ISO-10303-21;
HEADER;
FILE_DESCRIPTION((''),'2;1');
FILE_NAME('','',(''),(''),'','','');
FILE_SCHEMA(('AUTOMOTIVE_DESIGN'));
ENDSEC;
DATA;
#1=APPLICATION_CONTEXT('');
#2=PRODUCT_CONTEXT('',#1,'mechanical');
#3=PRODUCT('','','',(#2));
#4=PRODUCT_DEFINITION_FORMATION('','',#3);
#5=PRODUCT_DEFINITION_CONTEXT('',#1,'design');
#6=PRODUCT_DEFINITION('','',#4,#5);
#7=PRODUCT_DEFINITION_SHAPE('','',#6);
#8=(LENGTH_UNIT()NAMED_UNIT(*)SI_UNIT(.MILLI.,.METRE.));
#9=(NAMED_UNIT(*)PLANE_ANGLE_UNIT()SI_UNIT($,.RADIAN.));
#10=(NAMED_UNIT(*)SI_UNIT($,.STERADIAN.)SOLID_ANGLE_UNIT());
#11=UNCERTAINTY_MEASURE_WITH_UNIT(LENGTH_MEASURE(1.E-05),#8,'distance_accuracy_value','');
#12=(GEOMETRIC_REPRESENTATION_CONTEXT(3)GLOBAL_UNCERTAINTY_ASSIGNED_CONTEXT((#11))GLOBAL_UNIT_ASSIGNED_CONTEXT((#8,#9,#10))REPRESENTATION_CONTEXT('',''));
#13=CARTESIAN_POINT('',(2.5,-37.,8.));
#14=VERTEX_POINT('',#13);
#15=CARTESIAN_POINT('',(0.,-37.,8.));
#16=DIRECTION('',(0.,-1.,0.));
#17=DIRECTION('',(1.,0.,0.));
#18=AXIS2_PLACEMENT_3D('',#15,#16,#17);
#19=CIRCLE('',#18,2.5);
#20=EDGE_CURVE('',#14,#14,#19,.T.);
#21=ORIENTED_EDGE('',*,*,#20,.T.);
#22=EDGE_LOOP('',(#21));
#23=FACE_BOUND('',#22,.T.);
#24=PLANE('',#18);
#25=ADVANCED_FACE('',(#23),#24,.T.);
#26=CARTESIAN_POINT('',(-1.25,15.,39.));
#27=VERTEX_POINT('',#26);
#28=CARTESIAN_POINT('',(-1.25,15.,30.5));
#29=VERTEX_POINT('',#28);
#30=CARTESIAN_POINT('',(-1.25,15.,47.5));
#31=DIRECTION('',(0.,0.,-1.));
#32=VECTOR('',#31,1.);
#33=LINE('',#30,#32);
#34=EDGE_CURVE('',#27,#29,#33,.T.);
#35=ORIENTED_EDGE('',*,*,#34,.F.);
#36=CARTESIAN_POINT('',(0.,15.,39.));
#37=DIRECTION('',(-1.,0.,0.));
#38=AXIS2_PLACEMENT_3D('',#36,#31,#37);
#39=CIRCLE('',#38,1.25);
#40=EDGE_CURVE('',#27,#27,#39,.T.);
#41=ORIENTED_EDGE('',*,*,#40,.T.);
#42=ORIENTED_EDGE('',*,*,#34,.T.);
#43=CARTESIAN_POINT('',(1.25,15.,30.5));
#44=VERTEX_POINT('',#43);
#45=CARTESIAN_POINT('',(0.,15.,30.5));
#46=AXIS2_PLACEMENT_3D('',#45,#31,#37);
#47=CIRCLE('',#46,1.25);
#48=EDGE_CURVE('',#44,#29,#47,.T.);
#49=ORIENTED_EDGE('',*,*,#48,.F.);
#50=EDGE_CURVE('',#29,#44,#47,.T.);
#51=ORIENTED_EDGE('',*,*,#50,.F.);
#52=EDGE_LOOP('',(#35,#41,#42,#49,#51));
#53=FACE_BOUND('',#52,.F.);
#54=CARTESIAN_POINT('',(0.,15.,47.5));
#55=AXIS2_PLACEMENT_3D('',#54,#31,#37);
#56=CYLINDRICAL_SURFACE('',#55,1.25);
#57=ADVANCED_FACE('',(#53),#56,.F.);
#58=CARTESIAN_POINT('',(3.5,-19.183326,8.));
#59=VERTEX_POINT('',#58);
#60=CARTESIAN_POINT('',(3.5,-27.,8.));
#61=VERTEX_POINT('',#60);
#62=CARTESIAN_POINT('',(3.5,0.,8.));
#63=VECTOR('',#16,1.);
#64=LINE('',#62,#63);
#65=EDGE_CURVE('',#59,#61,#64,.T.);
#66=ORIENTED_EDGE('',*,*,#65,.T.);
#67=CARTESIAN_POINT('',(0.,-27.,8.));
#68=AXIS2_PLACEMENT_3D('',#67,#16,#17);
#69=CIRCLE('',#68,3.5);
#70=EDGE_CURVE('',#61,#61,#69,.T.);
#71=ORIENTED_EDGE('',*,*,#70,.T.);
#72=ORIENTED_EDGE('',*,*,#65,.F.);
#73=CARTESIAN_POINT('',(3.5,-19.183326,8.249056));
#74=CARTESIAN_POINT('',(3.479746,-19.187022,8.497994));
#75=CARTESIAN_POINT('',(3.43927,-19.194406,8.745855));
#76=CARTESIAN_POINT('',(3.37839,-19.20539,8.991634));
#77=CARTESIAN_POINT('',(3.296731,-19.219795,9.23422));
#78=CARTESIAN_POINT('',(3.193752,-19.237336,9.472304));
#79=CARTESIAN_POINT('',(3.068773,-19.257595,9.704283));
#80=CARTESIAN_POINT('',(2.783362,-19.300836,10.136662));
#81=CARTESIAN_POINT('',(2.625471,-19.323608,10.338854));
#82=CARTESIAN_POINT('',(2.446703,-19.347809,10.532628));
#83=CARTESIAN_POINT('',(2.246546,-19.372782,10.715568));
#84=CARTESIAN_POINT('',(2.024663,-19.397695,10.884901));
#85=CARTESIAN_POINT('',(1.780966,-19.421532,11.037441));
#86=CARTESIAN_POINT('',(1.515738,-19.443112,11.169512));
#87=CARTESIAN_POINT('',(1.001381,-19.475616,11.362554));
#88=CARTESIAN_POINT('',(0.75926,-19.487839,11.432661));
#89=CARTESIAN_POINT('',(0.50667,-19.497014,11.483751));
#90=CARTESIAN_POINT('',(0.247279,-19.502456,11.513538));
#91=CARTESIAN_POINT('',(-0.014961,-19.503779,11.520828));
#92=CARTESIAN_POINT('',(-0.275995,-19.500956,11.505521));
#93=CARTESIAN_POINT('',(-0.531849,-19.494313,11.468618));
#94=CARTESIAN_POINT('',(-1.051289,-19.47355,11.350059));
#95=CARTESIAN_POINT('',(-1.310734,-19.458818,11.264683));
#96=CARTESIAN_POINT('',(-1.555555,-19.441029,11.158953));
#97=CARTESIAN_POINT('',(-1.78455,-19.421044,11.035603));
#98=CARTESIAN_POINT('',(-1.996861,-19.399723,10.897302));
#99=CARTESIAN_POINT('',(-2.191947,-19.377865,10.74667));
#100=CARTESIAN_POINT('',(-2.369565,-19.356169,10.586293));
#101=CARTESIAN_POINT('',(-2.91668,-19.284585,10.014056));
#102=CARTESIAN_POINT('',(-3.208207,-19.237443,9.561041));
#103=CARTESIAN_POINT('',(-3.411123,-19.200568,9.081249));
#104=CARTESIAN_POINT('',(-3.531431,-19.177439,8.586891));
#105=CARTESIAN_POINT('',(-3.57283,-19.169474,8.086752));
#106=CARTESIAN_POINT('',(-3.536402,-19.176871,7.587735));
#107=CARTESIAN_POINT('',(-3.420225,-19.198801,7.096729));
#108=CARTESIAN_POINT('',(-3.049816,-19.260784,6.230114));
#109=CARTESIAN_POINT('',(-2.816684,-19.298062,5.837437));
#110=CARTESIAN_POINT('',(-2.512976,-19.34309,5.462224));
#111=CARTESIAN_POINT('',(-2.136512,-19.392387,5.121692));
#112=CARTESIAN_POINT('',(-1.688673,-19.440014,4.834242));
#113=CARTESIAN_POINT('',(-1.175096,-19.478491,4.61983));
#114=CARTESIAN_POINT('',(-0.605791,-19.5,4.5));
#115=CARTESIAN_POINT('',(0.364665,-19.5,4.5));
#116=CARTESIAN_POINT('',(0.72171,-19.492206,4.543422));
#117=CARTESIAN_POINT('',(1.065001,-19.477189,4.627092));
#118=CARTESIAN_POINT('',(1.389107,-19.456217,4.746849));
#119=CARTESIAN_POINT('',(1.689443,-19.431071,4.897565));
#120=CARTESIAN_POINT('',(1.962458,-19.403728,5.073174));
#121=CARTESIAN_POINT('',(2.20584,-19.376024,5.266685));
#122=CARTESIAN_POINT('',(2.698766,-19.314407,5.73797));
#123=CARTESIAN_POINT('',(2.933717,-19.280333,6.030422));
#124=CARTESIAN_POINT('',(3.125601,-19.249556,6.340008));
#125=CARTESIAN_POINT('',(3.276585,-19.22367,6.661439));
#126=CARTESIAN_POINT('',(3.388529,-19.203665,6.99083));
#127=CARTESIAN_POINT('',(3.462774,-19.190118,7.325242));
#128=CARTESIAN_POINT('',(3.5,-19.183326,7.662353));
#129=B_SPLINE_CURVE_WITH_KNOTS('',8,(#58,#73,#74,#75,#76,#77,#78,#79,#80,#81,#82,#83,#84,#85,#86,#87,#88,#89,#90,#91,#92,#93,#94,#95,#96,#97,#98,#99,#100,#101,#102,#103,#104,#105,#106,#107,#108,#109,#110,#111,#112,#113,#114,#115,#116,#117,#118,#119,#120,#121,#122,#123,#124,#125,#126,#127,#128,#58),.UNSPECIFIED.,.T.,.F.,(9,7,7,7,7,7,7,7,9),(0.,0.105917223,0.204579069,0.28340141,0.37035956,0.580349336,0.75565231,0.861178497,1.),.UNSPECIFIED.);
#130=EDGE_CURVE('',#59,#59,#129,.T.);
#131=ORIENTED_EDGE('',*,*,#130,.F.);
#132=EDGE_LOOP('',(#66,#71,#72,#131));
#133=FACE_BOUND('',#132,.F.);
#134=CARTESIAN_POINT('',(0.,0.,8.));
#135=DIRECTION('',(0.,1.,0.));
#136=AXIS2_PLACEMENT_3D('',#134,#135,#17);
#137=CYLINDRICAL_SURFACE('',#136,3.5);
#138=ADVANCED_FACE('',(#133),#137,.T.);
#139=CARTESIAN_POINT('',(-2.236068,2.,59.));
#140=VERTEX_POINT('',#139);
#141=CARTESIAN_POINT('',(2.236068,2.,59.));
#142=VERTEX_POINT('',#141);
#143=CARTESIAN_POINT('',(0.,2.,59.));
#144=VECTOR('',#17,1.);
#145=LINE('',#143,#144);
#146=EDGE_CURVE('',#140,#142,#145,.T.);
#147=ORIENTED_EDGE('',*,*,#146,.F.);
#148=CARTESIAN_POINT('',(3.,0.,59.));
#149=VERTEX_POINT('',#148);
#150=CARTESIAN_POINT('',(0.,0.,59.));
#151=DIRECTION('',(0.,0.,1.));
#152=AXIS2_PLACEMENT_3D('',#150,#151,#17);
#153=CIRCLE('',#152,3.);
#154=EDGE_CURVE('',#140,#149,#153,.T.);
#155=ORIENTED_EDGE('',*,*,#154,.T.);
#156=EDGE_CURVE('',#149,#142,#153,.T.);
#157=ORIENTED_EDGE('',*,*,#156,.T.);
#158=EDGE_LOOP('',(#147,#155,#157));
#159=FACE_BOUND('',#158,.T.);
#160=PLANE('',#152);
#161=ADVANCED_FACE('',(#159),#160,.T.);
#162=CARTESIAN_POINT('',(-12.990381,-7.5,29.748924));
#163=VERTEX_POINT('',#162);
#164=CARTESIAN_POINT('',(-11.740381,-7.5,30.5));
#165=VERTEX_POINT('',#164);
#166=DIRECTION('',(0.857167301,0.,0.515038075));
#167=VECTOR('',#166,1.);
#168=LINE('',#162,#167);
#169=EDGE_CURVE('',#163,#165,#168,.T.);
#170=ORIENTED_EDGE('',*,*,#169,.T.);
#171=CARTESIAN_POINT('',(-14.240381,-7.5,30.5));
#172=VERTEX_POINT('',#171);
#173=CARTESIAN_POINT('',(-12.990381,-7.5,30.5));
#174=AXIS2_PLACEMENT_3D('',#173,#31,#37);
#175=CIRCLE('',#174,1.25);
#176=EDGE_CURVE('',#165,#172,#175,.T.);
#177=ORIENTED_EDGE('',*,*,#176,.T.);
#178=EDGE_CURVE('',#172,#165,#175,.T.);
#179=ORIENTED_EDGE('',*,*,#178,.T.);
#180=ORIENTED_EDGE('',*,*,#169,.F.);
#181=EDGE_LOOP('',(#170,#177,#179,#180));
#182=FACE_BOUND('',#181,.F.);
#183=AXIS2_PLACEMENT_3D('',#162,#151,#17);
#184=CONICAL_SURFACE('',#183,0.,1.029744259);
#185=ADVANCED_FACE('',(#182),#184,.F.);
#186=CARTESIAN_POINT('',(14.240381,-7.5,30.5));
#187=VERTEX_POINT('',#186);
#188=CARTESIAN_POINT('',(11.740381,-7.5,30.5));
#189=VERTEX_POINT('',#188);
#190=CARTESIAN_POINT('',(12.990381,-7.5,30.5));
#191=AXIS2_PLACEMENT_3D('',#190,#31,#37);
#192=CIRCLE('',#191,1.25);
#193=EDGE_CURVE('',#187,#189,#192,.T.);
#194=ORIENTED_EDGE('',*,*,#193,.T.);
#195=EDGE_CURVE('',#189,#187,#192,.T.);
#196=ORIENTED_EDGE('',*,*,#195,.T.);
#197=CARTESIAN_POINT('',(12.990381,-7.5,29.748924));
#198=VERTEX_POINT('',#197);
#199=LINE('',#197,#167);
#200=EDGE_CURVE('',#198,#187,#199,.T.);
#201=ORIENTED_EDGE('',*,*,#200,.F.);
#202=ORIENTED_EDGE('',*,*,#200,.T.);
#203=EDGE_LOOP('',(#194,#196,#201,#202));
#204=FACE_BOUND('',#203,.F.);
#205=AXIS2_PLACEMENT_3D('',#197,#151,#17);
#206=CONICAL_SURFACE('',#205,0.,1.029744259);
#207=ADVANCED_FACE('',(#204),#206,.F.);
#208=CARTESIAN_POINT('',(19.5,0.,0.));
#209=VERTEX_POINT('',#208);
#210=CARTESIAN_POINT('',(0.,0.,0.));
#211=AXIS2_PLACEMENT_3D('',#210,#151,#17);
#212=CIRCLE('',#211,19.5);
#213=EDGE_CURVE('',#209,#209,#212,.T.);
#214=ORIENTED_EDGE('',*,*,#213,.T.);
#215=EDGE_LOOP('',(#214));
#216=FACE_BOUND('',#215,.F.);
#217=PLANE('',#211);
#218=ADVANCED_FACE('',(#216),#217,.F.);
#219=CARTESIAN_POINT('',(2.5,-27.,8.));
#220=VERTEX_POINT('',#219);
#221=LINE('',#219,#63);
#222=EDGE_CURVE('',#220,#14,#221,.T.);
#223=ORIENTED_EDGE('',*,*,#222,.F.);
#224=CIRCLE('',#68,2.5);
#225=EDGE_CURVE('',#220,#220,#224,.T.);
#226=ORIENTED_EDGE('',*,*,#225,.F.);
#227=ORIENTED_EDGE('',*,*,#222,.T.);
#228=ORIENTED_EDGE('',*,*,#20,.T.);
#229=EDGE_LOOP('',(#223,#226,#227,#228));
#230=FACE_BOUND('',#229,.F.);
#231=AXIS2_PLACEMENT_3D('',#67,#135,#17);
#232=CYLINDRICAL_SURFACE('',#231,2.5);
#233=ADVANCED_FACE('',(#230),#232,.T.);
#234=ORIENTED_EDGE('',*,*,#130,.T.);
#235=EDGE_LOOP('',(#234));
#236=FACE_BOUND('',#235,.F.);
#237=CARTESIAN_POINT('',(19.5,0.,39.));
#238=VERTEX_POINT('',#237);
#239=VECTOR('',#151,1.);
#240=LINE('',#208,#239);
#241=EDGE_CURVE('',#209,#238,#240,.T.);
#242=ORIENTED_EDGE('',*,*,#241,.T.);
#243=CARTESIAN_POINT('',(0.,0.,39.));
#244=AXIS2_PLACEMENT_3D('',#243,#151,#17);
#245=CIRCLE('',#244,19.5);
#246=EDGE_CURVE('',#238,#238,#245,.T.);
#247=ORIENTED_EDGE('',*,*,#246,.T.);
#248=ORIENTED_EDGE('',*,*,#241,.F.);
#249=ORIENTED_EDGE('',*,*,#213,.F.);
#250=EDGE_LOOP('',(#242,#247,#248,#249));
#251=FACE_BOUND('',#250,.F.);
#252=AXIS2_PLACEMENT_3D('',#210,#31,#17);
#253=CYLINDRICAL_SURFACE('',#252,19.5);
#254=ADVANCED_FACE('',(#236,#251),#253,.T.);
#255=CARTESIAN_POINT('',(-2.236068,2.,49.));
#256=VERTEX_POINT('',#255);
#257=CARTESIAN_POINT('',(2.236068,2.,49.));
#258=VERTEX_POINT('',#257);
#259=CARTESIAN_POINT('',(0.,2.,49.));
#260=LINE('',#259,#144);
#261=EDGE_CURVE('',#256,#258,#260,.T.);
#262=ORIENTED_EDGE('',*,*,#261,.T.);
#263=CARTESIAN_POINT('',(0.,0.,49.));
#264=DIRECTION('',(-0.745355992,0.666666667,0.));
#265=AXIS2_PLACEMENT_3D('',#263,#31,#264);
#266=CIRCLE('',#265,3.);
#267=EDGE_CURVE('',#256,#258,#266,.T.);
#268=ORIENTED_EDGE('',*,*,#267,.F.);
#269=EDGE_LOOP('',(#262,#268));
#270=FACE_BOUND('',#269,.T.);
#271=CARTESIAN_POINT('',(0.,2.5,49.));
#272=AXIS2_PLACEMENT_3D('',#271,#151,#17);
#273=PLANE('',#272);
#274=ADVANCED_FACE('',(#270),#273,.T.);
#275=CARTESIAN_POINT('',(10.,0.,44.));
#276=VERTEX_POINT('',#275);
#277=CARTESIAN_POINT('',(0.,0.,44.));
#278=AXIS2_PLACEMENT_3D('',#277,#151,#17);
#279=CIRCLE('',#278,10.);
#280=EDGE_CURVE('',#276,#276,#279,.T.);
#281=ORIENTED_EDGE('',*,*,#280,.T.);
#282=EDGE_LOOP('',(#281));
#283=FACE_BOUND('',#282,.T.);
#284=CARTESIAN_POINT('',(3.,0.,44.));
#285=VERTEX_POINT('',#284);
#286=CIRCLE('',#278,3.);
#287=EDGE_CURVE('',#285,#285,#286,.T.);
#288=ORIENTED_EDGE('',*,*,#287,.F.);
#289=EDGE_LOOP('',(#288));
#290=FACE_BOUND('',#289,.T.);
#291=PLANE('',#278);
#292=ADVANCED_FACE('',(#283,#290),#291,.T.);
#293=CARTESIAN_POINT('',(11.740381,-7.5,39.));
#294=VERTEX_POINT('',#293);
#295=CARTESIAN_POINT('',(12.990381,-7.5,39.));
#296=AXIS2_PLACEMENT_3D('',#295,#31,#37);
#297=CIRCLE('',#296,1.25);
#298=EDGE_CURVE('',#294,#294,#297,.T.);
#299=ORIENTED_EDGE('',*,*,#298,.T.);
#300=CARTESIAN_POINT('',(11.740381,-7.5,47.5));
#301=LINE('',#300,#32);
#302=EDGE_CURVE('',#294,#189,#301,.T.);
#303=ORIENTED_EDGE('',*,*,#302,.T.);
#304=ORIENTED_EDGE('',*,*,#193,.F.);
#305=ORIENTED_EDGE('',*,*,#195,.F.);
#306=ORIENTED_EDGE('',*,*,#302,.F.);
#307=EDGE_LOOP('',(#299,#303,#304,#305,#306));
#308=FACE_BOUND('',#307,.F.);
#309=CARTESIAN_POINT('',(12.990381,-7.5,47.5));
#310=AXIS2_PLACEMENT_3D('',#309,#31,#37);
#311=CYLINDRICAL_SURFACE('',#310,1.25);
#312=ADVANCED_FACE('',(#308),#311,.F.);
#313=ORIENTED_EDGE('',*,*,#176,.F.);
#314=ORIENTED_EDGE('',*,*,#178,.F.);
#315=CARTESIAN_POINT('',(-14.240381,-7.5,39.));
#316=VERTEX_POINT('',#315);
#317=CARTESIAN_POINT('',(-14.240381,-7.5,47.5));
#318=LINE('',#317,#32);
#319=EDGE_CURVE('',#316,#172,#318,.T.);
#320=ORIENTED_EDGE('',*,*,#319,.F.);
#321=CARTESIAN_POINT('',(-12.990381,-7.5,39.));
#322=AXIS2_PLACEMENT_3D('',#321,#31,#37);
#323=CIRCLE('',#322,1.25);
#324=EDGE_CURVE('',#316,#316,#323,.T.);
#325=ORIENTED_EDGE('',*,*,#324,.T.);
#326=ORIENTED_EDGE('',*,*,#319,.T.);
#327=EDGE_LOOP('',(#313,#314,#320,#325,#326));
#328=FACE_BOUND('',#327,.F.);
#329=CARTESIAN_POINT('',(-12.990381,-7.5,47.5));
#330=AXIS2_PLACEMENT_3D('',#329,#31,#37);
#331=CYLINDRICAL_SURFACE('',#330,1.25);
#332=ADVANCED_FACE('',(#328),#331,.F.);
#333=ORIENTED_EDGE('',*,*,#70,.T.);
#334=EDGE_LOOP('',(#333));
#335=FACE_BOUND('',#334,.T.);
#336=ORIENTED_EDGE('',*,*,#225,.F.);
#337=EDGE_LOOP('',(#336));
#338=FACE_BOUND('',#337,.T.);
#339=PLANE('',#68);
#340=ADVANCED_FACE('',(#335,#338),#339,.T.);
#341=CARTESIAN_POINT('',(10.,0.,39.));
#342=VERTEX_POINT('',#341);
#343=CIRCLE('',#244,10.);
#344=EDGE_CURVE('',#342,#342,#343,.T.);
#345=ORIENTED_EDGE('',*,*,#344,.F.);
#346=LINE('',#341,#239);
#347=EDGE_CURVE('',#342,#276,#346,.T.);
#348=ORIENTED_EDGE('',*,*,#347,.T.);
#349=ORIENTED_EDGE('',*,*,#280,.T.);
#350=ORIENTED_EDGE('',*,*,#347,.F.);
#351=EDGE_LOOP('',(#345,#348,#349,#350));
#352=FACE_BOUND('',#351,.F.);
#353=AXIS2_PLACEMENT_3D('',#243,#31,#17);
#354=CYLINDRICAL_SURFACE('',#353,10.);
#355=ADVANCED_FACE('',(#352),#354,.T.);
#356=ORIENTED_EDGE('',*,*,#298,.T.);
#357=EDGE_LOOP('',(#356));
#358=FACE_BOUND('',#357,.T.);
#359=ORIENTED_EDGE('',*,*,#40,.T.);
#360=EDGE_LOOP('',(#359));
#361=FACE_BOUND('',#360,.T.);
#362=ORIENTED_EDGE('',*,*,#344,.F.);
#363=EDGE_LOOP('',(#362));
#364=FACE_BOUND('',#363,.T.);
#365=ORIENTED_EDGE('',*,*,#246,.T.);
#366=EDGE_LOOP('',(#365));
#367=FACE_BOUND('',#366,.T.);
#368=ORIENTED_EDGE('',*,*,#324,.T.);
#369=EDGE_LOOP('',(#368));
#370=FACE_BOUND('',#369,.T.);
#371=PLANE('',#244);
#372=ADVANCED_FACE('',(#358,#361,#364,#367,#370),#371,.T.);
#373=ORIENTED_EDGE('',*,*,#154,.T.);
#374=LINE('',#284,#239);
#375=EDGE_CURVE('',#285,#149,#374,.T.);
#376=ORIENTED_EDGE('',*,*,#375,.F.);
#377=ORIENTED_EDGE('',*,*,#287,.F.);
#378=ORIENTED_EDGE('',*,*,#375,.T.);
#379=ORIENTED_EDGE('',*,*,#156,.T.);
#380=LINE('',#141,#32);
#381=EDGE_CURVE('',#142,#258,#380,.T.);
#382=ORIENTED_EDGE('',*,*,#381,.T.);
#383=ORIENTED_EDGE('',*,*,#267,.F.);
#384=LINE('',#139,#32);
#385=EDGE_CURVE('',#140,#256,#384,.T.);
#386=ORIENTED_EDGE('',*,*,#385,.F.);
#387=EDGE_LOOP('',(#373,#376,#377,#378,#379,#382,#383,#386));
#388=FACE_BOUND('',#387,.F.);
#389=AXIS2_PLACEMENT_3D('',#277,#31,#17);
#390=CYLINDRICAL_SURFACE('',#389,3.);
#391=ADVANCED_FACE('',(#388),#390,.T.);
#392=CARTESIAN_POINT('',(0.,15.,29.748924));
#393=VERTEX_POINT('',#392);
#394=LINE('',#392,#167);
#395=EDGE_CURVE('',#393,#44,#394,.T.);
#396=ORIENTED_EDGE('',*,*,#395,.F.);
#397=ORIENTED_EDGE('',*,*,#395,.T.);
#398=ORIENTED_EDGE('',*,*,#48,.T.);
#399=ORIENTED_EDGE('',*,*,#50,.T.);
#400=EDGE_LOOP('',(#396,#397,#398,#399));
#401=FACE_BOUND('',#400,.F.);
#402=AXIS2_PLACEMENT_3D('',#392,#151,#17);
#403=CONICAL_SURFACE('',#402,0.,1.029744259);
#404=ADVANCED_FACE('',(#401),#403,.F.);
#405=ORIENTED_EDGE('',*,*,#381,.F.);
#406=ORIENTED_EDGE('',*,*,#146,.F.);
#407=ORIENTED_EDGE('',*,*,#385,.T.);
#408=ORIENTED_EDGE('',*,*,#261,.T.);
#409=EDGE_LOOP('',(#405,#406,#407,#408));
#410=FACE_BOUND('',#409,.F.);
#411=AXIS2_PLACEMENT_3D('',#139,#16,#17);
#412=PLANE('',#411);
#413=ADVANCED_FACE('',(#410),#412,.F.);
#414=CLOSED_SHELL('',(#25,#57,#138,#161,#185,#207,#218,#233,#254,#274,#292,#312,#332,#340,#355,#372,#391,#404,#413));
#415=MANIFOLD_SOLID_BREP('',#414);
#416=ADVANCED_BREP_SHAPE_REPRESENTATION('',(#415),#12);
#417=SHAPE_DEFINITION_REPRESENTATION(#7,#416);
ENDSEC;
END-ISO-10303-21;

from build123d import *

# Parameters (mm, degrees)
F0_R      = 19.5
F1_DEPTH  = 39
F2_R      = 10
F3_DEPTH  = 5
F4_R      = 3
F5_DEPTH  = 15
F7_D      = 2.5
F7_DEPTH  = 8.5
F7_TIP    = 0.7510757738
F8_W      = 4.472135955
F8_H      = 1
F9_DEPTH  = 10
F10_R     = 3.5
F11_DEPTH = 27
F12_R     = 2.5
F13_DEPTH = 10


with BuildPart() as f1:
    # F0 (on Top) → F1 (new body)
    with BuildSketch(Plane.XY):
        Circle(F0_R)
    extrude(amount=F1_DEPTH)

    # F2 (on face) → F3 (join)
    with BuildSketch(Plane.XY.offset(39)):
        Circle(F2_R)
    extrude(amount=F3_DEPTH)

    # F4 (on face) → F5 (join)
    with BuildSketch(Plane.XY.offset(44)):
        Circle(F4_R)
    extrude(amount=F5_DEPTH)

    # F7
    with Locations(Plane.XY.offset(39)):
        with Locations((0, 15), (-12.9903810568, -7.5), (12.9903810568, -7.5)):
            Hole(F7_D / 2, depth=F7_DEPTH)
            with Locations((0, 0, -(F7_DEPTH + F7_TIP / 2))):  # 118° drill point
                Cone(0, F7_D / 2, F7_TIP, mode=Mode.SUBTRACT)

    # F8 (on face) → F9 (cut)
    with BuildSketch(Plane.XY.offset(59)):
        with Locations((0, 2.5)):
            Rectangle(F8_W, F8_H)
    extrude(amount=-F9_DEPTH, mode=Mode.SUBTRACT)

    # F10 (on Front) → F11 (join)
    with BuildSketch(Plane.XZ):
        with Locations((0, 8)):
            Circle(F10_R)
    extrude(amount=F11_DEPTH)

    # F12 (on face) → F13 (join)
    with BuildSketch(Plane.XZ.offset(27)):
        with Locations((0, 8)):
            Circle(F12_R)
    extrude(amount=F13_DEPTH)


solid = f1.part
